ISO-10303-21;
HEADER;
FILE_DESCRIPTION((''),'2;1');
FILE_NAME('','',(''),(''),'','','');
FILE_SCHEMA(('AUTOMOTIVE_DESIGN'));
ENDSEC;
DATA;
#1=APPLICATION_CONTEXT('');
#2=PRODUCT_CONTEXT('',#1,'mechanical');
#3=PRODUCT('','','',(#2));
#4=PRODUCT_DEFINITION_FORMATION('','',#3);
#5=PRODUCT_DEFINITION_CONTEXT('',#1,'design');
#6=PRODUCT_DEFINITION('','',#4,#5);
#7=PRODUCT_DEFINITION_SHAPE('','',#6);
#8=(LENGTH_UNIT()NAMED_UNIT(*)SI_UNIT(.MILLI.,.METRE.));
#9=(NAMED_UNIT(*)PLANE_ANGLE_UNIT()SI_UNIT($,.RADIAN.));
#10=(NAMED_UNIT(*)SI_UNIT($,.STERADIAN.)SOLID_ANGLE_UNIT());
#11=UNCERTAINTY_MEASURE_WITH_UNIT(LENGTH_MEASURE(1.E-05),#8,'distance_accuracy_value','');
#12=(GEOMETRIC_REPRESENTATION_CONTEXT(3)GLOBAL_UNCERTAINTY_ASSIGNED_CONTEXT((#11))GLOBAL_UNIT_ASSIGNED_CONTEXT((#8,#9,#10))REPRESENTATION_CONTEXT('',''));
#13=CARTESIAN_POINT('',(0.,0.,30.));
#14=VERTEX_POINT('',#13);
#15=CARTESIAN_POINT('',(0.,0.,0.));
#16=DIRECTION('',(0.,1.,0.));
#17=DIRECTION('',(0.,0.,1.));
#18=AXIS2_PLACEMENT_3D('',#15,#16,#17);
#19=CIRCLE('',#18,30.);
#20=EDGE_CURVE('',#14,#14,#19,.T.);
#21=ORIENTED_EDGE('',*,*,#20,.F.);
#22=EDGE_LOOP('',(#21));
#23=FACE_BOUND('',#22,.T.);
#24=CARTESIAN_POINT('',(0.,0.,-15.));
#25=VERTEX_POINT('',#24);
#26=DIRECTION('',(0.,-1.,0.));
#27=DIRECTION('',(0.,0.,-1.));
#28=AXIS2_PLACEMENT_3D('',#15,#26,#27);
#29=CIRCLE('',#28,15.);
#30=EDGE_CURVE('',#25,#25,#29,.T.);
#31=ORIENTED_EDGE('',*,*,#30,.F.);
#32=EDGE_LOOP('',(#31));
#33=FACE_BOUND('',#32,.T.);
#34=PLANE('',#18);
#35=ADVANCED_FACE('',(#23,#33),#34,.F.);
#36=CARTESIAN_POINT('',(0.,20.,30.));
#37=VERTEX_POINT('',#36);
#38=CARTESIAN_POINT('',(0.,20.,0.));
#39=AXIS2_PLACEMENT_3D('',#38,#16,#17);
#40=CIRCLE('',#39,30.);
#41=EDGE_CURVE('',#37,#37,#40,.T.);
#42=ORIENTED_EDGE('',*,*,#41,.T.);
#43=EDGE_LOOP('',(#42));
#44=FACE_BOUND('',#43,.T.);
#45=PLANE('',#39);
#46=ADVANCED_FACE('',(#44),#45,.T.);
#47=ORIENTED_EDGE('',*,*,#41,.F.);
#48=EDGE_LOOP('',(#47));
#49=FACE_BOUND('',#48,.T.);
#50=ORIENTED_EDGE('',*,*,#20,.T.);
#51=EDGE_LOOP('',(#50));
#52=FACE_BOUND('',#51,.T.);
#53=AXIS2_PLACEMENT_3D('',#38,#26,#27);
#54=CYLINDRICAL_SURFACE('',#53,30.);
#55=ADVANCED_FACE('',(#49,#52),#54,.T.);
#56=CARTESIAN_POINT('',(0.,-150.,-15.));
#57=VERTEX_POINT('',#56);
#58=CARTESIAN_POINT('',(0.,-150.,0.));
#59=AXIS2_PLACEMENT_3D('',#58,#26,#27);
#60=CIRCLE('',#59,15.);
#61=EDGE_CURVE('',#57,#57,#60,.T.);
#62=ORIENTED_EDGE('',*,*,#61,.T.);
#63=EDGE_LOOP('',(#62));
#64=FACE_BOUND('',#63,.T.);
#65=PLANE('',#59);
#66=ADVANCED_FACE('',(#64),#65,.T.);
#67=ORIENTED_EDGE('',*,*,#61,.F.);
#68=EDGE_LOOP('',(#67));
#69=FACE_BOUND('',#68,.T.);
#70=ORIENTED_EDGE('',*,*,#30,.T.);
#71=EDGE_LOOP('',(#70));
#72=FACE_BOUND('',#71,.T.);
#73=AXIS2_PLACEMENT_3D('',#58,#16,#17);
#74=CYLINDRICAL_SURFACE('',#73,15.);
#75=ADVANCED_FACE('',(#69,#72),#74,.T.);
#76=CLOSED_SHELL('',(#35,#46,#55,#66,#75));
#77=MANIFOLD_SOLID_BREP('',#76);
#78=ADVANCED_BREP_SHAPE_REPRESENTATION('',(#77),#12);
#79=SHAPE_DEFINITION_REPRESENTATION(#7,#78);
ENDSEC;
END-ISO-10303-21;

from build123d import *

# Parameters (mm, degrees)
ESQUISSE2_R        = 30
BOSS_EXTRU_2_DEPTH = 20
ESQUISSE3_R        = 15
BOSS_EXTRU_3_DEPTH = 150


with BuildPart() as part:
    # Esquisse2 → Boss.-Extru.2 (new body)
    with BuildSketch(Plane(origin=(0, 0, 0), x_dir=(1, 0, 0), z_dir=(0, 1, 0))):
        with Locations(Location((0, 0, 0), (0, 0, 270))):
            Circle(ESQUISSE2_R)
    extrude(amount=BOSS_EXTRU_2_DEPTH)

    # Esquisse3 → Boss.-Extru.3 (add)
    with BuildSketch(Plane.XZ):
        with Locations(Location((0, 0, 0), (0, 0, 270))):
            Circle(ESQUISSE3_R)
    extrude(amount=BOSS_EXTRU_3_DEPTH)


solid = part.part
